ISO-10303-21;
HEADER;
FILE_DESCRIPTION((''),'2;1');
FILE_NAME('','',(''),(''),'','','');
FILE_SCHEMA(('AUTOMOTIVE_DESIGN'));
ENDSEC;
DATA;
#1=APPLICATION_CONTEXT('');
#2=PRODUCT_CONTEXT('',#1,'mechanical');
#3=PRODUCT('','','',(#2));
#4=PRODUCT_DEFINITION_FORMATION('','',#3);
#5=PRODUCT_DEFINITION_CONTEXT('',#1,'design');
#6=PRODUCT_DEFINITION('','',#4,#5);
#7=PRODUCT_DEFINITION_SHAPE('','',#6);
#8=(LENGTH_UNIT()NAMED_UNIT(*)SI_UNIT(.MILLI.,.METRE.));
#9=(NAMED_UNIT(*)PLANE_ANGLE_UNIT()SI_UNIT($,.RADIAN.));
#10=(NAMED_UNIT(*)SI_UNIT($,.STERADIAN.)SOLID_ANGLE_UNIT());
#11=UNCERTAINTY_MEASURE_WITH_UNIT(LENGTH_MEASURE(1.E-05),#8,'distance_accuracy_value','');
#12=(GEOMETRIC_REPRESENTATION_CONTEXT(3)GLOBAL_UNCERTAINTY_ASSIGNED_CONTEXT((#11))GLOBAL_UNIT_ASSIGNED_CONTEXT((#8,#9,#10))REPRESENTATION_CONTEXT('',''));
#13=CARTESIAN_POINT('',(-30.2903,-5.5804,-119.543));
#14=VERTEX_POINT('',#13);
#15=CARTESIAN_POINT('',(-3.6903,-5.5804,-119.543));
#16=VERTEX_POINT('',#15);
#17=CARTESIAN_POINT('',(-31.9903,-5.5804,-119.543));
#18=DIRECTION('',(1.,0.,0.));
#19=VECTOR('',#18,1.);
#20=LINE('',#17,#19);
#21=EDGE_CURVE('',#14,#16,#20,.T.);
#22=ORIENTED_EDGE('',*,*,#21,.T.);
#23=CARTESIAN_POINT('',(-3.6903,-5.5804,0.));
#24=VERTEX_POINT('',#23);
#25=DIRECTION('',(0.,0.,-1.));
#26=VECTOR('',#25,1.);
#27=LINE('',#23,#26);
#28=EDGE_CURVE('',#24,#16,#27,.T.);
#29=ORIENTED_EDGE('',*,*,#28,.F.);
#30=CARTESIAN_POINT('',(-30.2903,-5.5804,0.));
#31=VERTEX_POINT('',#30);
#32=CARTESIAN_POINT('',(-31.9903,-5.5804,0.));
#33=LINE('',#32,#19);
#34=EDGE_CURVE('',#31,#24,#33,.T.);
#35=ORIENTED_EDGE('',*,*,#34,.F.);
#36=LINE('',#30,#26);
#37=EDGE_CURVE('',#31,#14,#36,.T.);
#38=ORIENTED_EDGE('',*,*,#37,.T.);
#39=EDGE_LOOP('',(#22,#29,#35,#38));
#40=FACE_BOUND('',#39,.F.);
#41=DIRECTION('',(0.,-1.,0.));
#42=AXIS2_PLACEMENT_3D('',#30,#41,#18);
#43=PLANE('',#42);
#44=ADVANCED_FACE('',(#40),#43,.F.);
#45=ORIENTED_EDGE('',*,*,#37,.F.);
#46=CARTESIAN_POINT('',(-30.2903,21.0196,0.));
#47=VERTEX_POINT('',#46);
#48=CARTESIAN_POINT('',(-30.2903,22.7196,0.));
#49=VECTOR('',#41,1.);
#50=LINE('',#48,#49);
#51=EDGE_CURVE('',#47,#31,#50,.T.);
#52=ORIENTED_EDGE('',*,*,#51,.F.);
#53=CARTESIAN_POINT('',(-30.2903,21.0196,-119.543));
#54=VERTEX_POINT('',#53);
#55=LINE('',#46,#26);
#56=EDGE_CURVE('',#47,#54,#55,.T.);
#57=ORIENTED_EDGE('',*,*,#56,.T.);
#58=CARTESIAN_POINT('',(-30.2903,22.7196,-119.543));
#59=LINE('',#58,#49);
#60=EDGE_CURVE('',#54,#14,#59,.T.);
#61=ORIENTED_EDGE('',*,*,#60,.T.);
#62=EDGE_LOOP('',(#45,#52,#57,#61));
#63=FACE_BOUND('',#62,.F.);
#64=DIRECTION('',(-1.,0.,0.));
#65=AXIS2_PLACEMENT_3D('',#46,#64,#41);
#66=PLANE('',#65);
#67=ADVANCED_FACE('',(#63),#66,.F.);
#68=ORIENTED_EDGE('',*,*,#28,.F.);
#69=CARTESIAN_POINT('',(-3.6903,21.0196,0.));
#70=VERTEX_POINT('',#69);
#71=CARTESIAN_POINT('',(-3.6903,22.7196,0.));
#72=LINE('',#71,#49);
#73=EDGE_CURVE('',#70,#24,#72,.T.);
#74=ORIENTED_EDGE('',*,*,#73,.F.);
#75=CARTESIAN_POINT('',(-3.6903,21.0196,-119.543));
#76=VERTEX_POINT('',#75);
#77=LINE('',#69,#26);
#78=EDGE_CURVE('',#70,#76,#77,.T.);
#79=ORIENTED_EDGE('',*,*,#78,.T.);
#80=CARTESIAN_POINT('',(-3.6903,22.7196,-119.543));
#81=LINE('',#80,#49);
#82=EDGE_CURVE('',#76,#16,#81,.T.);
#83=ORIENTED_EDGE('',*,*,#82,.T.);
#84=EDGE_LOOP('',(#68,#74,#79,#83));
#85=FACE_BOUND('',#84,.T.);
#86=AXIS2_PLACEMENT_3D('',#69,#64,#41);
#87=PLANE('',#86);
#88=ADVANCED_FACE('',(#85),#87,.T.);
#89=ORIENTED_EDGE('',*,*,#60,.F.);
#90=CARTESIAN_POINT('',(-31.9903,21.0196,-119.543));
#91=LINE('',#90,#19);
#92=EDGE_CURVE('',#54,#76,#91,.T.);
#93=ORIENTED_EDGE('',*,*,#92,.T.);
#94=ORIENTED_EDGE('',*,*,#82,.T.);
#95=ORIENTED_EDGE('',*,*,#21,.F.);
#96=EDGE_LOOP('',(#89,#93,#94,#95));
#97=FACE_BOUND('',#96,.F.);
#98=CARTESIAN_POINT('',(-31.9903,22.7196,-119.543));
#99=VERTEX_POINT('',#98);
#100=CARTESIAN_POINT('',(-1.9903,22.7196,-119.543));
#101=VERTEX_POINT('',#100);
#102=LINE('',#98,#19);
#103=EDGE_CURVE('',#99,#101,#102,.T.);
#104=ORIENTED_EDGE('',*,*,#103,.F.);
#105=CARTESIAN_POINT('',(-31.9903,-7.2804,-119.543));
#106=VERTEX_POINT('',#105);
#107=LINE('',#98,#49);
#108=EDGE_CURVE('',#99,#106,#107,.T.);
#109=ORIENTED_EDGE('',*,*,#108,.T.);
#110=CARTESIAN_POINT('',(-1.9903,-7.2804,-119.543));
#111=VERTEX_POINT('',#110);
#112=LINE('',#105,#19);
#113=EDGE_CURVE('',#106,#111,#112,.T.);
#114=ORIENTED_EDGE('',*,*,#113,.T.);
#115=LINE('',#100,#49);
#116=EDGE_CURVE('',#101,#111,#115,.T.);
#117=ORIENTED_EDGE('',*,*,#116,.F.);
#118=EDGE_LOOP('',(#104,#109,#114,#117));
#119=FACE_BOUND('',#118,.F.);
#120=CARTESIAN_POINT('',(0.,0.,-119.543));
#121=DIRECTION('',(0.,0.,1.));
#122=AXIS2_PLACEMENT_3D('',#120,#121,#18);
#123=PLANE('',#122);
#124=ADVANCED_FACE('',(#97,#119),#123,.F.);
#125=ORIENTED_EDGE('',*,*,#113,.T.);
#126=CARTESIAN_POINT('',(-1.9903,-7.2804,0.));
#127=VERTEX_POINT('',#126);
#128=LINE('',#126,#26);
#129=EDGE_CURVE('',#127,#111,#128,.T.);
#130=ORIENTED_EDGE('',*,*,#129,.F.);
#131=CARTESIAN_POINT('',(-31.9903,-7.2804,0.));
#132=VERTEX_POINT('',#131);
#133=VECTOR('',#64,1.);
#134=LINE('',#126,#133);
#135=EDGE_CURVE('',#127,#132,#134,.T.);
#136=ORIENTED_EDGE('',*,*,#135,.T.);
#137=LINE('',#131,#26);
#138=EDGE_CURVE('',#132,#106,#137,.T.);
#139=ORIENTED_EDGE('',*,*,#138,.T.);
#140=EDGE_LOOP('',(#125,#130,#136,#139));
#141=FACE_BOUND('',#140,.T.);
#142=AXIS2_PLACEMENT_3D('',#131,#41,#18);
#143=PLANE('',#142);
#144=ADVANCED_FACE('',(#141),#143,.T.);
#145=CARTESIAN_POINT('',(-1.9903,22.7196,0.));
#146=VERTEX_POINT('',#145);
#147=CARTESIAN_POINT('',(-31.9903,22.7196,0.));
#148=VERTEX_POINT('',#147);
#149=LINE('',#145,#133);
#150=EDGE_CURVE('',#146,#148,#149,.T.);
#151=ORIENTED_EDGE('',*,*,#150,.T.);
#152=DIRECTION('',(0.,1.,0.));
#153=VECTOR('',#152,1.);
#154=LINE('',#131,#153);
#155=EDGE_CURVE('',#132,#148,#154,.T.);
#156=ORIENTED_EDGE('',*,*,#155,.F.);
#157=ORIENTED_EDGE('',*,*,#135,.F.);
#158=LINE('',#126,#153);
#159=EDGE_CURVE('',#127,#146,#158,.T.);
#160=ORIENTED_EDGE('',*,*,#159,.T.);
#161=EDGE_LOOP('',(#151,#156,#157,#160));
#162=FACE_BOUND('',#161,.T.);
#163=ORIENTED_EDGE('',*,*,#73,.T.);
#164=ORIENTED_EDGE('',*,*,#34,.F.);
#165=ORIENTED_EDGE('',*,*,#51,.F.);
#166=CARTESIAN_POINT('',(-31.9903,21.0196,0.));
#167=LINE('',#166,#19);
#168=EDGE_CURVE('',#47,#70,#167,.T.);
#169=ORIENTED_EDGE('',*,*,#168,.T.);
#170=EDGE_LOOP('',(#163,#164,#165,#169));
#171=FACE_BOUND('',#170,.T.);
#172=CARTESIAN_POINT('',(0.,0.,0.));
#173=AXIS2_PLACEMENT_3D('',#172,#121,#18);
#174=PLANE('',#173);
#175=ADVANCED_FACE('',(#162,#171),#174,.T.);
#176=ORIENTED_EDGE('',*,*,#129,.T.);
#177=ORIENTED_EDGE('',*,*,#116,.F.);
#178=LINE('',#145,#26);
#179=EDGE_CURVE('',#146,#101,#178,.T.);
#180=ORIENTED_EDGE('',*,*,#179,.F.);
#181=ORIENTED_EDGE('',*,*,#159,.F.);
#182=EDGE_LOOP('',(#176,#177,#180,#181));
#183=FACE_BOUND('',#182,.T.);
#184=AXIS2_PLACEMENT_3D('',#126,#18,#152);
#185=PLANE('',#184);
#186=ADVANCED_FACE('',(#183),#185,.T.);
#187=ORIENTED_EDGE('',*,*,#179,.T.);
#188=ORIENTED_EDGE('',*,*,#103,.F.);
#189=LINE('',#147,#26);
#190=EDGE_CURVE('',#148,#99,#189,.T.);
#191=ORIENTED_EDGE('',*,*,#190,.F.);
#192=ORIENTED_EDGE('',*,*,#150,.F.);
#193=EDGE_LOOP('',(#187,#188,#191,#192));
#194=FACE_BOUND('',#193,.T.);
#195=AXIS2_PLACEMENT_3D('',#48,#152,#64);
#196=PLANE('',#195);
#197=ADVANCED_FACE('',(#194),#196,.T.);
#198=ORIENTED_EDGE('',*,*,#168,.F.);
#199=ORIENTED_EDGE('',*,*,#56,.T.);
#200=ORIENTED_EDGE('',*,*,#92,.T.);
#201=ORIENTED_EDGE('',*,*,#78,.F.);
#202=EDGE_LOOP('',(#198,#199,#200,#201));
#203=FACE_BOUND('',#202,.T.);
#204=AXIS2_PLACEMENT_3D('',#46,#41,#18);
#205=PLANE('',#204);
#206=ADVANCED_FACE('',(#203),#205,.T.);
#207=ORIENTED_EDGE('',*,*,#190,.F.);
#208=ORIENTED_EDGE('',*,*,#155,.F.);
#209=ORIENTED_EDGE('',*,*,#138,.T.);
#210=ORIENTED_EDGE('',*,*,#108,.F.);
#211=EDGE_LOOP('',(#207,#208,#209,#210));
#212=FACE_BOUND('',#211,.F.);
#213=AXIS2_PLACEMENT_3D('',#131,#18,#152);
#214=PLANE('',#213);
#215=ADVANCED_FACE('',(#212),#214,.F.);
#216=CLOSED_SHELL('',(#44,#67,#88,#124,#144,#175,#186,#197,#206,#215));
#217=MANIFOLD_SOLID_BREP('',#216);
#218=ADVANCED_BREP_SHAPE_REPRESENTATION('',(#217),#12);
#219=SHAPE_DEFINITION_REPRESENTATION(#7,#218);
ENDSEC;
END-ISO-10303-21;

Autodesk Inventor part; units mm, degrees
ref_plane "YZ Plane" through (0, 0, 0) normal (1, 0, 0) x (0, 1, 0)
ref_plane "XZ Plane" through (0, 0, 0) normal (0, 1, 0) x (-1, 0, 0)
ref_plane "XY Plane" through (0, 0, 0) normal (0, 0, 1) x (1, 0, 0)
sketch "Sketch1" plane through (0, 0, 0) normal (0, 0, 1) x (1, 0, 0)
  line L0 (-31.9903, -7.2804) -> (-1.9903, -7.2804)
  line L1 (-1.9903, -7.2804) -> (-1.9903, 22.7196)
  line L2 (-1.9903, 22.7196) -> (-31.9903, 22.7196)
  line L3 (-31.9903, -7.2804) -> (-31.9903, 22.7196)
  line L4 (-30.2903, 22.7196) -> (-30.2903, -7.2804)
  line L5 (-31.9903, -5.5804) -> (-1.9903, -5.5804)
  line L6 (-3.6903, 22.7196) -> (-3.6903, -7.2804)
  line L7 (-31.9903, 21.0196) -> (-1.9903, 21.0196)
  point P0 (0, 0)
  point P1 (0, 0)
  point P2 (-3.6903, 21.0196)
  point P3 (-30.2903, 21.0196)
  point P4 (-30.2903, -5.5804)
  point P5 (-3.6903, -5.5804)
  dimension "d0" = 30
  dimension "d1" = 30
  dimension "d2" = 1.7
  dimension "d3" = 1.7
  dimension "d4" = 1.7
  dimension "d5" = 1.7
extrude "Extrusion1" add sketch "Sketch1" against normal blind 119.543
extrude "Extrusion2" cut sketch "Sketch1" against normal blind 119.543 contours L4 L7 L6 L5
properties part number "Cablecanal Ranurado 30x30 L=115  mm" material "PVC-Piping"
